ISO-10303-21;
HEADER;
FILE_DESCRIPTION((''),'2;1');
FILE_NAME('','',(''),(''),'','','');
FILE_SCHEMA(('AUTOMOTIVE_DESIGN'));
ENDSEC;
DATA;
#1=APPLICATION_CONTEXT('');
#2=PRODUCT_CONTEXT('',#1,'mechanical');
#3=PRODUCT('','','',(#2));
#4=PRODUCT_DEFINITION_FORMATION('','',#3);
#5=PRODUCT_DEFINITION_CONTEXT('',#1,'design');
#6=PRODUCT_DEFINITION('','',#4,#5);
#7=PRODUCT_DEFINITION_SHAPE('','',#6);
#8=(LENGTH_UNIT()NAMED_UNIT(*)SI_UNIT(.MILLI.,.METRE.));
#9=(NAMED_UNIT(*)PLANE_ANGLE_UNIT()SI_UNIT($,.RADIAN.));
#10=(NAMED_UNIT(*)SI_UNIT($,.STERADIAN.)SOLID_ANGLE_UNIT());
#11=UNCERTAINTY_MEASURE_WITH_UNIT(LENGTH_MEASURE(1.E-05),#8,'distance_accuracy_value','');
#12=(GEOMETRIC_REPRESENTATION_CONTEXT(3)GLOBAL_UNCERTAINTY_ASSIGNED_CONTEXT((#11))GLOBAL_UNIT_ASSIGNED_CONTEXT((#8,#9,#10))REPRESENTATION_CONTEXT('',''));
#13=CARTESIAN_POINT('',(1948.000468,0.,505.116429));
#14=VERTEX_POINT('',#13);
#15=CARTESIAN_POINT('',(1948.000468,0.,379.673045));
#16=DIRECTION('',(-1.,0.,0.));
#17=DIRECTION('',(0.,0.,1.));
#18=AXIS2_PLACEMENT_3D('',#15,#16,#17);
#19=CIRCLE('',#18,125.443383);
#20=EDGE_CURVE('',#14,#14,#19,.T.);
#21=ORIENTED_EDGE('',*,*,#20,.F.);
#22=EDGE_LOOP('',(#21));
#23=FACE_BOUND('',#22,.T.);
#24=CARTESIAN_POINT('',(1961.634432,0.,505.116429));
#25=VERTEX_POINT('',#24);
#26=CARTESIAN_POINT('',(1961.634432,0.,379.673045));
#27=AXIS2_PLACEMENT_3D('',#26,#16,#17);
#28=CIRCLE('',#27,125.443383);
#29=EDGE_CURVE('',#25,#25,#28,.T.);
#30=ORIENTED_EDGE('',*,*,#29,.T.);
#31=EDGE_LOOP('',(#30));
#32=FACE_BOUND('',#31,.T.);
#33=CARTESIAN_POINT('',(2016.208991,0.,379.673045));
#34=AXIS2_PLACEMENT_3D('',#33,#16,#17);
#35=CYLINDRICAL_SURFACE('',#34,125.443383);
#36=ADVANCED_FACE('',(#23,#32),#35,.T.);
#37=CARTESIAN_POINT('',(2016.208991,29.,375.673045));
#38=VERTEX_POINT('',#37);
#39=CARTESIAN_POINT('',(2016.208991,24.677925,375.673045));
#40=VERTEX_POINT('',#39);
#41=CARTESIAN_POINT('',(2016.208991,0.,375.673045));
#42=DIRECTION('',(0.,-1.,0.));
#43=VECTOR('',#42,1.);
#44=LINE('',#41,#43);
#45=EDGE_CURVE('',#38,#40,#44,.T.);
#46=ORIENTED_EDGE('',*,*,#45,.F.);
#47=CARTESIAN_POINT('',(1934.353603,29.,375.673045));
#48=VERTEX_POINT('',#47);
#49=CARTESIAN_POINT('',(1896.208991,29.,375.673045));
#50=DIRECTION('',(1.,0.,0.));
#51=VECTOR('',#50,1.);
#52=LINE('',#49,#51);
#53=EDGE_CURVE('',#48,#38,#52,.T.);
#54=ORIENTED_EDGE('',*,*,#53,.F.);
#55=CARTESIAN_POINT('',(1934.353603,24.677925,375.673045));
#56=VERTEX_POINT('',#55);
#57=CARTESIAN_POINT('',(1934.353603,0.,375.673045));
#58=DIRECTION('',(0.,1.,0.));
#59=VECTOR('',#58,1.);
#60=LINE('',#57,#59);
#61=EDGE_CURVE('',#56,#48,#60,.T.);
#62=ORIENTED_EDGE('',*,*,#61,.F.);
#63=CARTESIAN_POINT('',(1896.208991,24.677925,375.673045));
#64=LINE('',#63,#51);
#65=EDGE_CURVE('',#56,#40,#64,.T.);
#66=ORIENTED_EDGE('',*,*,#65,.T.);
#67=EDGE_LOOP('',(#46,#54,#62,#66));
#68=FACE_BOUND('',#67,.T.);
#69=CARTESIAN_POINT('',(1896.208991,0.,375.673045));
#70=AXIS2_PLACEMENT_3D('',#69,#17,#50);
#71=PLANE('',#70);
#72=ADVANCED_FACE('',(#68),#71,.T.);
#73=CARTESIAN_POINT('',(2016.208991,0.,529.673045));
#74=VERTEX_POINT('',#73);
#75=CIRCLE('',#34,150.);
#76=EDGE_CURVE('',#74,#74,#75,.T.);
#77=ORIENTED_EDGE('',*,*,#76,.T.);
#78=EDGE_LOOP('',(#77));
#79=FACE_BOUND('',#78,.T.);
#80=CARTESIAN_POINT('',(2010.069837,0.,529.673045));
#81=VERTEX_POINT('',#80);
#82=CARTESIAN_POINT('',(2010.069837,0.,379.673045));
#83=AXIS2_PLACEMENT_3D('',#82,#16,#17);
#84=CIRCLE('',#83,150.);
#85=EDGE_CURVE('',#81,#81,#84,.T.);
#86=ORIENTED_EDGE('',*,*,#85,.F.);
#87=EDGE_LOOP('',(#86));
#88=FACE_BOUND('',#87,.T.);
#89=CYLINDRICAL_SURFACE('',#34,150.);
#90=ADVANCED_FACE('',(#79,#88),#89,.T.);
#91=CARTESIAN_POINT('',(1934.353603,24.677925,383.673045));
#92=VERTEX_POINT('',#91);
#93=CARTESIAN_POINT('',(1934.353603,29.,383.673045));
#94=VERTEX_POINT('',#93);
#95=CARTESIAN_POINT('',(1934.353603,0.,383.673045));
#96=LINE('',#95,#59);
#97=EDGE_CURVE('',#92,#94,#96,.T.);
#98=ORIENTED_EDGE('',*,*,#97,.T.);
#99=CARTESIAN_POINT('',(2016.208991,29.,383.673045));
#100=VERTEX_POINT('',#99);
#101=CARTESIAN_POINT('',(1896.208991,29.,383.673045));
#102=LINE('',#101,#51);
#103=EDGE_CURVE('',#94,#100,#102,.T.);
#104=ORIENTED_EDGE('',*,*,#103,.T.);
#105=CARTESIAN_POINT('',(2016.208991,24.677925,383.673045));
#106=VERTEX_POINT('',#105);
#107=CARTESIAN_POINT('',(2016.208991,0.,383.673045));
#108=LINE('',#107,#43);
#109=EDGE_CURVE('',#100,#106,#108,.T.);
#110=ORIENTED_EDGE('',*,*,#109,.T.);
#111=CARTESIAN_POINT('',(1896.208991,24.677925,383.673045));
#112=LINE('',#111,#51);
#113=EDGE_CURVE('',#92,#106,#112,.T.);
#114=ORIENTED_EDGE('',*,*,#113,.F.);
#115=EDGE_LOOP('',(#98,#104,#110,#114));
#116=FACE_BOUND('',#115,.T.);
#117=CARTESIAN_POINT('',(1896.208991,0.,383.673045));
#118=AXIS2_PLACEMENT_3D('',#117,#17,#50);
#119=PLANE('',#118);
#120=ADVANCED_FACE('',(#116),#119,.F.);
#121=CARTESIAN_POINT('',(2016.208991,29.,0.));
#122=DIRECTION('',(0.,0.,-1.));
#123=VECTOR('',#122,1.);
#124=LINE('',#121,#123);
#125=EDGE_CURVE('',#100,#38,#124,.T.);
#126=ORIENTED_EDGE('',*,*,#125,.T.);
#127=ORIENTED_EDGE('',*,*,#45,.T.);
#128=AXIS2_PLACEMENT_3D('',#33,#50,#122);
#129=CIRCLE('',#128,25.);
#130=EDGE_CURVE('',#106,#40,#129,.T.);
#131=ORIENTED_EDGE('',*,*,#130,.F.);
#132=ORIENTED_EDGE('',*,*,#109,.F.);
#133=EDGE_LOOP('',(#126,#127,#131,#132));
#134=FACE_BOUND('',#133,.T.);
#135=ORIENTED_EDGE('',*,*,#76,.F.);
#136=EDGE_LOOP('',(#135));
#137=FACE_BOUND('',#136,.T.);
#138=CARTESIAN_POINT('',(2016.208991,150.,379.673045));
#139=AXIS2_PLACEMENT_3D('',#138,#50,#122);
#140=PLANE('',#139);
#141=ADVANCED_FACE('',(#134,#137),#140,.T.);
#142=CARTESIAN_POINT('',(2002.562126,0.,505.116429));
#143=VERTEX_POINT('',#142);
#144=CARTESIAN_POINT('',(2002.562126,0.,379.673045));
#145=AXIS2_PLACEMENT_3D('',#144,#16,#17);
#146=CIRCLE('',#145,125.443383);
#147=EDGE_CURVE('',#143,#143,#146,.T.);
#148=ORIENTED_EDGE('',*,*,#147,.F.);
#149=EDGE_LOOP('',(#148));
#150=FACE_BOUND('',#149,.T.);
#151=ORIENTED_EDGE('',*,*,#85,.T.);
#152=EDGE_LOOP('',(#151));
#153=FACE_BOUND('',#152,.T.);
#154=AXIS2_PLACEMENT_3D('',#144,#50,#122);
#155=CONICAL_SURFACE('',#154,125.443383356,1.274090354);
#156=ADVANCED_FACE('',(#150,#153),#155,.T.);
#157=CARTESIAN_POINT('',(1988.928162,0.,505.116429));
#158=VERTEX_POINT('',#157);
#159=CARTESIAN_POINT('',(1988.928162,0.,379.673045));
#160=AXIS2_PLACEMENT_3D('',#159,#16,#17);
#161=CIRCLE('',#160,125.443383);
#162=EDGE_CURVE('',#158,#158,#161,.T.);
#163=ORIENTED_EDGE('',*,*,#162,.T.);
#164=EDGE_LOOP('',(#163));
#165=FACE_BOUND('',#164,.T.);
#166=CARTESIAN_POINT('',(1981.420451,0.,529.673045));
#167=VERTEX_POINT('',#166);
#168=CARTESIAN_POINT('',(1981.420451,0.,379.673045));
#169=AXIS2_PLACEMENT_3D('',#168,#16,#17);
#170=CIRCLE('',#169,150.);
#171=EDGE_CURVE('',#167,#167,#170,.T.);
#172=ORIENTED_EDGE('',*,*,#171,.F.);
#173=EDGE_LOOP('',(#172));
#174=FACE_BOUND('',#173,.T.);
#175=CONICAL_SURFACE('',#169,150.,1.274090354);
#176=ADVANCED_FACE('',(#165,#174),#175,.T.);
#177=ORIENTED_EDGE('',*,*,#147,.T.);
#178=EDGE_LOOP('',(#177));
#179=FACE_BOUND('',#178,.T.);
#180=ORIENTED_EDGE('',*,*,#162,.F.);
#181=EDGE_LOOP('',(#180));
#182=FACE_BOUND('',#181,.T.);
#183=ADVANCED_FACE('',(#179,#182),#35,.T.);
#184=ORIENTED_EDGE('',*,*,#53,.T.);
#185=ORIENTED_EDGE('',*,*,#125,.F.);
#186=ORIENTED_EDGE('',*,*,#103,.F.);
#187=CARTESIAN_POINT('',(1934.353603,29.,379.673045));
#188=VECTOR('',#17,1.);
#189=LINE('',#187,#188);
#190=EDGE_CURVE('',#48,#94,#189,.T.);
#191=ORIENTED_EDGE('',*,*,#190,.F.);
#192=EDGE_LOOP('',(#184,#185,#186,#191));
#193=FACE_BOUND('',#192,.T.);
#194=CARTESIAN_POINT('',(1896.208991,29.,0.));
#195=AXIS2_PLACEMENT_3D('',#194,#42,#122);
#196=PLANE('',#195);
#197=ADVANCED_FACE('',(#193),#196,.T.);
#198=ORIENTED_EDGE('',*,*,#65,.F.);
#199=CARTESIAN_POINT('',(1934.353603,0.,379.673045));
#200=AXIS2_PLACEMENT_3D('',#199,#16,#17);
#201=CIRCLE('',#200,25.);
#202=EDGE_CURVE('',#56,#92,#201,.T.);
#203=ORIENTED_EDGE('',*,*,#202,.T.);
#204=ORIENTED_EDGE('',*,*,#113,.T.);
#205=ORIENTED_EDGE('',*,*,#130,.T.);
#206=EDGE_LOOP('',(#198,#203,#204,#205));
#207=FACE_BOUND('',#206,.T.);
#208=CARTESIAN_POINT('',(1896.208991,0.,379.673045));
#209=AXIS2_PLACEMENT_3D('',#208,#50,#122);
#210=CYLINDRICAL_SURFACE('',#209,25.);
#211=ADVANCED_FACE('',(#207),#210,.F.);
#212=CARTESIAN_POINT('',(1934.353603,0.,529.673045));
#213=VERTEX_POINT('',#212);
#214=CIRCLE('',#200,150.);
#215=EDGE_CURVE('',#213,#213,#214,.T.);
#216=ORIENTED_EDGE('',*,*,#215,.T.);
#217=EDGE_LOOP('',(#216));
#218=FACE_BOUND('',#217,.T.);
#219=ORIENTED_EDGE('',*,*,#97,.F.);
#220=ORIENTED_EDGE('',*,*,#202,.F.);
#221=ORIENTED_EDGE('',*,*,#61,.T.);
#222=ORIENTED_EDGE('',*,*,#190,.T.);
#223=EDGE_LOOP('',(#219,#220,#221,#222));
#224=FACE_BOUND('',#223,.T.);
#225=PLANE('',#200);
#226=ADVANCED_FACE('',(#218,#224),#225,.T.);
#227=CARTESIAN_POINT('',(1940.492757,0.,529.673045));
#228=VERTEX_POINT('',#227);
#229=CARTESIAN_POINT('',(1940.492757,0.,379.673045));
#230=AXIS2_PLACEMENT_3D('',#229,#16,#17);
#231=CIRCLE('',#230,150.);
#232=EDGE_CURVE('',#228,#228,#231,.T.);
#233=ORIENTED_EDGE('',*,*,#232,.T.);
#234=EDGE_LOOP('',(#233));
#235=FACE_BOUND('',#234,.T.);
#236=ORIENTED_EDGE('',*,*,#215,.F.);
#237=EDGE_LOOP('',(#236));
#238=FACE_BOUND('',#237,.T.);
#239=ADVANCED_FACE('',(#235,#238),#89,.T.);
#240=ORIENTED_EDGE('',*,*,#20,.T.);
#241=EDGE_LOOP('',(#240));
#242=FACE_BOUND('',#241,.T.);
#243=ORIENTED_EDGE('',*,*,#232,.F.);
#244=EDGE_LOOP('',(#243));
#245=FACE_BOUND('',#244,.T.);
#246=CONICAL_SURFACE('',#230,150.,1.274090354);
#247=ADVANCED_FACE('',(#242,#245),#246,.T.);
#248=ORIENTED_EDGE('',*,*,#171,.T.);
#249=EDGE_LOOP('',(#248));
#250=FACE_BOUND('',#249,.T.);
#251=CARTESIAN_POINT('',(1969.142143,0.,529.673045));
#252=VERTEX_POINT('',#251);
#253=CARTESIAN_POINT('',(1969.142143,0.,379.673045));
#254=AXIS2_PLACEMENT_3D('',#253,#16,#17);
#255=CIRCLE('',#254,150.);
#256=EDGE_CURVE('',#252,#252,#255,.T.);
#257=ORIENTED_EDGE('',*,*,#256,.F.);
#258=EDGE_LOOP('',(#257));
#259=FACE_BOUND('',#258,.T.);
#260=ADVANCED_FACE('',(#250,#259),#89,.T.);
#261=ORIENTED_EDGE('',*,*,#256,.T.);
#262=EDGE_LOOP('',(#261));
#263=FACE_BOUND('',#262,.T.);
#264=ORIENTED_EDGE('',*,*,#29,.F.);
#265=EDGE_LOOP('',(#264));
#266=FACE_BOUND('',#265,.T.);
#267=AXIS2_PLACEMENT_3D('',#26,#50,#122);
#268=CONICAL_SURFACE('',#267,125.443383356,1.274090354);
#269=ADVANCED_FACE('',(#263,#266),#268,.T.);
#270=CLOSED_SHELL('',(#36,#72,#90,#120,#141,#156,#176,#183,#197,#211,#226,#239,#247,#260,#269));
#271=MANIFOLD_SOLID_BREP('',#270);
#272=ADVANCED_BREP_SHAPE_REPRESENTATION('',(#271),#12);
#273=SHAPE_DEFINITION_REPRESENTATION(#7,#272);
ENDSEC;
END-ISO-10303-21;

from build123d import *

# Parameters (mm, degrees)
IZIM2_R               = 20
KES_EKSTR_ZYON1_DEPTH = 160
IZIM3_R               = 25
KES_EKSTR_ZYON2_DEPTH = 120
KES_EKSTR_ZYON3_DEPTH = 120


with BuildPart() as part:
    # Çizim1 → Döndür1 (revolve)
    with BuildSketch(Plane(origin=(0, 0, 379.673045167), x_dir=(-1, 0, 0), z_dir=(0, 0, -1)), mode=Mode.PRIVATE) as d_nd_r1_sk:
        Polygon((-2016.208991354, 150), (-2016.208991354, 0), (-1934.353602541, 0), (-1934.353602541, 150), (-1940.492756702, 150), (-1948.000467843, 125.443383356), (-1961.634431646, 125.443383356), (-1969.142142787, 150), (-1981.420451109, 150), (-1988.928162249, 125.443383356), (-2002.562126052, 125.443383356), (-2010.069837193, 150), align=None)
    revolve(d_nd_r1_sk.sketch.rotate(Axis((2016.208991354, 0, 379.673045167), (-1, 0, 0)), 270), axis=Axis((2016.208991354, 0, 379.673045167), (-1, 0, 0)))

    # Çizim2 → Kes-Ekstrüzyon1 (cut)
    with BuildSketch(Plane.ZY.offset(-1934.353602541)):
        with Locations((379.673045167, 0)):
            Circle(IZIM2_R)
    extrude(amount=-KES_EKSTR_ZYON1_DEPTH, mode=Mode.SUBTRACT)

    # Çizim3 → Kes-Ekstrüzyon2 (cut)
    with BuildSketch(Plane(origin=(2016.208991354, 0, 0), x_dir=(0, 0, -1), z_dir=(1, 0, 0))):
        with Locations((-379.673045167, 0)):
            Circle(IZIM3_R)
    extrude(amount=-KES_EKSTR_ZYON2_DEPTH, mode=Mode.SUBTRACT)

    # Çizim4 → Kes-Ekstrüzyon3 (cut)
    with BuildSketch(Plane(origin=(2016.208991354, 0, 0), x_dir=(0, 0, -1), z_dir=(1, 0, 0))):
        with BuildLine():
            Line((-379.673045167, 29), (-379.673045167, 25))
            ThreePointArc((-379.673045167, 25), (-377.666572387, 24.919351255), (-375.673045167, 24.677925359))
            Line((-375.673045167, 24.677925359), (-375.673045167, 29))
            Line((-375.673045167, 29), (-379.673045167, 29))
        make_face()
        with BuildLine():
            ThreePointArc((-383.673045167, 24.677925359), (-381.679517947, 24.919351255), (-379.673045167, 25))
            Line((-379.673045167, 25), (-379.673045167, 29))
            Line((-379.673045167, 29), (-383.673045167, 29))
            Line((-383.673045167, 29), (-383.673045167, 24.677925359))
        make_face()
    extrude(amount=-KES_EKSTR_ZYON3_DEPTH, mode=Mode.SUBTRACT)


solid = part.part
